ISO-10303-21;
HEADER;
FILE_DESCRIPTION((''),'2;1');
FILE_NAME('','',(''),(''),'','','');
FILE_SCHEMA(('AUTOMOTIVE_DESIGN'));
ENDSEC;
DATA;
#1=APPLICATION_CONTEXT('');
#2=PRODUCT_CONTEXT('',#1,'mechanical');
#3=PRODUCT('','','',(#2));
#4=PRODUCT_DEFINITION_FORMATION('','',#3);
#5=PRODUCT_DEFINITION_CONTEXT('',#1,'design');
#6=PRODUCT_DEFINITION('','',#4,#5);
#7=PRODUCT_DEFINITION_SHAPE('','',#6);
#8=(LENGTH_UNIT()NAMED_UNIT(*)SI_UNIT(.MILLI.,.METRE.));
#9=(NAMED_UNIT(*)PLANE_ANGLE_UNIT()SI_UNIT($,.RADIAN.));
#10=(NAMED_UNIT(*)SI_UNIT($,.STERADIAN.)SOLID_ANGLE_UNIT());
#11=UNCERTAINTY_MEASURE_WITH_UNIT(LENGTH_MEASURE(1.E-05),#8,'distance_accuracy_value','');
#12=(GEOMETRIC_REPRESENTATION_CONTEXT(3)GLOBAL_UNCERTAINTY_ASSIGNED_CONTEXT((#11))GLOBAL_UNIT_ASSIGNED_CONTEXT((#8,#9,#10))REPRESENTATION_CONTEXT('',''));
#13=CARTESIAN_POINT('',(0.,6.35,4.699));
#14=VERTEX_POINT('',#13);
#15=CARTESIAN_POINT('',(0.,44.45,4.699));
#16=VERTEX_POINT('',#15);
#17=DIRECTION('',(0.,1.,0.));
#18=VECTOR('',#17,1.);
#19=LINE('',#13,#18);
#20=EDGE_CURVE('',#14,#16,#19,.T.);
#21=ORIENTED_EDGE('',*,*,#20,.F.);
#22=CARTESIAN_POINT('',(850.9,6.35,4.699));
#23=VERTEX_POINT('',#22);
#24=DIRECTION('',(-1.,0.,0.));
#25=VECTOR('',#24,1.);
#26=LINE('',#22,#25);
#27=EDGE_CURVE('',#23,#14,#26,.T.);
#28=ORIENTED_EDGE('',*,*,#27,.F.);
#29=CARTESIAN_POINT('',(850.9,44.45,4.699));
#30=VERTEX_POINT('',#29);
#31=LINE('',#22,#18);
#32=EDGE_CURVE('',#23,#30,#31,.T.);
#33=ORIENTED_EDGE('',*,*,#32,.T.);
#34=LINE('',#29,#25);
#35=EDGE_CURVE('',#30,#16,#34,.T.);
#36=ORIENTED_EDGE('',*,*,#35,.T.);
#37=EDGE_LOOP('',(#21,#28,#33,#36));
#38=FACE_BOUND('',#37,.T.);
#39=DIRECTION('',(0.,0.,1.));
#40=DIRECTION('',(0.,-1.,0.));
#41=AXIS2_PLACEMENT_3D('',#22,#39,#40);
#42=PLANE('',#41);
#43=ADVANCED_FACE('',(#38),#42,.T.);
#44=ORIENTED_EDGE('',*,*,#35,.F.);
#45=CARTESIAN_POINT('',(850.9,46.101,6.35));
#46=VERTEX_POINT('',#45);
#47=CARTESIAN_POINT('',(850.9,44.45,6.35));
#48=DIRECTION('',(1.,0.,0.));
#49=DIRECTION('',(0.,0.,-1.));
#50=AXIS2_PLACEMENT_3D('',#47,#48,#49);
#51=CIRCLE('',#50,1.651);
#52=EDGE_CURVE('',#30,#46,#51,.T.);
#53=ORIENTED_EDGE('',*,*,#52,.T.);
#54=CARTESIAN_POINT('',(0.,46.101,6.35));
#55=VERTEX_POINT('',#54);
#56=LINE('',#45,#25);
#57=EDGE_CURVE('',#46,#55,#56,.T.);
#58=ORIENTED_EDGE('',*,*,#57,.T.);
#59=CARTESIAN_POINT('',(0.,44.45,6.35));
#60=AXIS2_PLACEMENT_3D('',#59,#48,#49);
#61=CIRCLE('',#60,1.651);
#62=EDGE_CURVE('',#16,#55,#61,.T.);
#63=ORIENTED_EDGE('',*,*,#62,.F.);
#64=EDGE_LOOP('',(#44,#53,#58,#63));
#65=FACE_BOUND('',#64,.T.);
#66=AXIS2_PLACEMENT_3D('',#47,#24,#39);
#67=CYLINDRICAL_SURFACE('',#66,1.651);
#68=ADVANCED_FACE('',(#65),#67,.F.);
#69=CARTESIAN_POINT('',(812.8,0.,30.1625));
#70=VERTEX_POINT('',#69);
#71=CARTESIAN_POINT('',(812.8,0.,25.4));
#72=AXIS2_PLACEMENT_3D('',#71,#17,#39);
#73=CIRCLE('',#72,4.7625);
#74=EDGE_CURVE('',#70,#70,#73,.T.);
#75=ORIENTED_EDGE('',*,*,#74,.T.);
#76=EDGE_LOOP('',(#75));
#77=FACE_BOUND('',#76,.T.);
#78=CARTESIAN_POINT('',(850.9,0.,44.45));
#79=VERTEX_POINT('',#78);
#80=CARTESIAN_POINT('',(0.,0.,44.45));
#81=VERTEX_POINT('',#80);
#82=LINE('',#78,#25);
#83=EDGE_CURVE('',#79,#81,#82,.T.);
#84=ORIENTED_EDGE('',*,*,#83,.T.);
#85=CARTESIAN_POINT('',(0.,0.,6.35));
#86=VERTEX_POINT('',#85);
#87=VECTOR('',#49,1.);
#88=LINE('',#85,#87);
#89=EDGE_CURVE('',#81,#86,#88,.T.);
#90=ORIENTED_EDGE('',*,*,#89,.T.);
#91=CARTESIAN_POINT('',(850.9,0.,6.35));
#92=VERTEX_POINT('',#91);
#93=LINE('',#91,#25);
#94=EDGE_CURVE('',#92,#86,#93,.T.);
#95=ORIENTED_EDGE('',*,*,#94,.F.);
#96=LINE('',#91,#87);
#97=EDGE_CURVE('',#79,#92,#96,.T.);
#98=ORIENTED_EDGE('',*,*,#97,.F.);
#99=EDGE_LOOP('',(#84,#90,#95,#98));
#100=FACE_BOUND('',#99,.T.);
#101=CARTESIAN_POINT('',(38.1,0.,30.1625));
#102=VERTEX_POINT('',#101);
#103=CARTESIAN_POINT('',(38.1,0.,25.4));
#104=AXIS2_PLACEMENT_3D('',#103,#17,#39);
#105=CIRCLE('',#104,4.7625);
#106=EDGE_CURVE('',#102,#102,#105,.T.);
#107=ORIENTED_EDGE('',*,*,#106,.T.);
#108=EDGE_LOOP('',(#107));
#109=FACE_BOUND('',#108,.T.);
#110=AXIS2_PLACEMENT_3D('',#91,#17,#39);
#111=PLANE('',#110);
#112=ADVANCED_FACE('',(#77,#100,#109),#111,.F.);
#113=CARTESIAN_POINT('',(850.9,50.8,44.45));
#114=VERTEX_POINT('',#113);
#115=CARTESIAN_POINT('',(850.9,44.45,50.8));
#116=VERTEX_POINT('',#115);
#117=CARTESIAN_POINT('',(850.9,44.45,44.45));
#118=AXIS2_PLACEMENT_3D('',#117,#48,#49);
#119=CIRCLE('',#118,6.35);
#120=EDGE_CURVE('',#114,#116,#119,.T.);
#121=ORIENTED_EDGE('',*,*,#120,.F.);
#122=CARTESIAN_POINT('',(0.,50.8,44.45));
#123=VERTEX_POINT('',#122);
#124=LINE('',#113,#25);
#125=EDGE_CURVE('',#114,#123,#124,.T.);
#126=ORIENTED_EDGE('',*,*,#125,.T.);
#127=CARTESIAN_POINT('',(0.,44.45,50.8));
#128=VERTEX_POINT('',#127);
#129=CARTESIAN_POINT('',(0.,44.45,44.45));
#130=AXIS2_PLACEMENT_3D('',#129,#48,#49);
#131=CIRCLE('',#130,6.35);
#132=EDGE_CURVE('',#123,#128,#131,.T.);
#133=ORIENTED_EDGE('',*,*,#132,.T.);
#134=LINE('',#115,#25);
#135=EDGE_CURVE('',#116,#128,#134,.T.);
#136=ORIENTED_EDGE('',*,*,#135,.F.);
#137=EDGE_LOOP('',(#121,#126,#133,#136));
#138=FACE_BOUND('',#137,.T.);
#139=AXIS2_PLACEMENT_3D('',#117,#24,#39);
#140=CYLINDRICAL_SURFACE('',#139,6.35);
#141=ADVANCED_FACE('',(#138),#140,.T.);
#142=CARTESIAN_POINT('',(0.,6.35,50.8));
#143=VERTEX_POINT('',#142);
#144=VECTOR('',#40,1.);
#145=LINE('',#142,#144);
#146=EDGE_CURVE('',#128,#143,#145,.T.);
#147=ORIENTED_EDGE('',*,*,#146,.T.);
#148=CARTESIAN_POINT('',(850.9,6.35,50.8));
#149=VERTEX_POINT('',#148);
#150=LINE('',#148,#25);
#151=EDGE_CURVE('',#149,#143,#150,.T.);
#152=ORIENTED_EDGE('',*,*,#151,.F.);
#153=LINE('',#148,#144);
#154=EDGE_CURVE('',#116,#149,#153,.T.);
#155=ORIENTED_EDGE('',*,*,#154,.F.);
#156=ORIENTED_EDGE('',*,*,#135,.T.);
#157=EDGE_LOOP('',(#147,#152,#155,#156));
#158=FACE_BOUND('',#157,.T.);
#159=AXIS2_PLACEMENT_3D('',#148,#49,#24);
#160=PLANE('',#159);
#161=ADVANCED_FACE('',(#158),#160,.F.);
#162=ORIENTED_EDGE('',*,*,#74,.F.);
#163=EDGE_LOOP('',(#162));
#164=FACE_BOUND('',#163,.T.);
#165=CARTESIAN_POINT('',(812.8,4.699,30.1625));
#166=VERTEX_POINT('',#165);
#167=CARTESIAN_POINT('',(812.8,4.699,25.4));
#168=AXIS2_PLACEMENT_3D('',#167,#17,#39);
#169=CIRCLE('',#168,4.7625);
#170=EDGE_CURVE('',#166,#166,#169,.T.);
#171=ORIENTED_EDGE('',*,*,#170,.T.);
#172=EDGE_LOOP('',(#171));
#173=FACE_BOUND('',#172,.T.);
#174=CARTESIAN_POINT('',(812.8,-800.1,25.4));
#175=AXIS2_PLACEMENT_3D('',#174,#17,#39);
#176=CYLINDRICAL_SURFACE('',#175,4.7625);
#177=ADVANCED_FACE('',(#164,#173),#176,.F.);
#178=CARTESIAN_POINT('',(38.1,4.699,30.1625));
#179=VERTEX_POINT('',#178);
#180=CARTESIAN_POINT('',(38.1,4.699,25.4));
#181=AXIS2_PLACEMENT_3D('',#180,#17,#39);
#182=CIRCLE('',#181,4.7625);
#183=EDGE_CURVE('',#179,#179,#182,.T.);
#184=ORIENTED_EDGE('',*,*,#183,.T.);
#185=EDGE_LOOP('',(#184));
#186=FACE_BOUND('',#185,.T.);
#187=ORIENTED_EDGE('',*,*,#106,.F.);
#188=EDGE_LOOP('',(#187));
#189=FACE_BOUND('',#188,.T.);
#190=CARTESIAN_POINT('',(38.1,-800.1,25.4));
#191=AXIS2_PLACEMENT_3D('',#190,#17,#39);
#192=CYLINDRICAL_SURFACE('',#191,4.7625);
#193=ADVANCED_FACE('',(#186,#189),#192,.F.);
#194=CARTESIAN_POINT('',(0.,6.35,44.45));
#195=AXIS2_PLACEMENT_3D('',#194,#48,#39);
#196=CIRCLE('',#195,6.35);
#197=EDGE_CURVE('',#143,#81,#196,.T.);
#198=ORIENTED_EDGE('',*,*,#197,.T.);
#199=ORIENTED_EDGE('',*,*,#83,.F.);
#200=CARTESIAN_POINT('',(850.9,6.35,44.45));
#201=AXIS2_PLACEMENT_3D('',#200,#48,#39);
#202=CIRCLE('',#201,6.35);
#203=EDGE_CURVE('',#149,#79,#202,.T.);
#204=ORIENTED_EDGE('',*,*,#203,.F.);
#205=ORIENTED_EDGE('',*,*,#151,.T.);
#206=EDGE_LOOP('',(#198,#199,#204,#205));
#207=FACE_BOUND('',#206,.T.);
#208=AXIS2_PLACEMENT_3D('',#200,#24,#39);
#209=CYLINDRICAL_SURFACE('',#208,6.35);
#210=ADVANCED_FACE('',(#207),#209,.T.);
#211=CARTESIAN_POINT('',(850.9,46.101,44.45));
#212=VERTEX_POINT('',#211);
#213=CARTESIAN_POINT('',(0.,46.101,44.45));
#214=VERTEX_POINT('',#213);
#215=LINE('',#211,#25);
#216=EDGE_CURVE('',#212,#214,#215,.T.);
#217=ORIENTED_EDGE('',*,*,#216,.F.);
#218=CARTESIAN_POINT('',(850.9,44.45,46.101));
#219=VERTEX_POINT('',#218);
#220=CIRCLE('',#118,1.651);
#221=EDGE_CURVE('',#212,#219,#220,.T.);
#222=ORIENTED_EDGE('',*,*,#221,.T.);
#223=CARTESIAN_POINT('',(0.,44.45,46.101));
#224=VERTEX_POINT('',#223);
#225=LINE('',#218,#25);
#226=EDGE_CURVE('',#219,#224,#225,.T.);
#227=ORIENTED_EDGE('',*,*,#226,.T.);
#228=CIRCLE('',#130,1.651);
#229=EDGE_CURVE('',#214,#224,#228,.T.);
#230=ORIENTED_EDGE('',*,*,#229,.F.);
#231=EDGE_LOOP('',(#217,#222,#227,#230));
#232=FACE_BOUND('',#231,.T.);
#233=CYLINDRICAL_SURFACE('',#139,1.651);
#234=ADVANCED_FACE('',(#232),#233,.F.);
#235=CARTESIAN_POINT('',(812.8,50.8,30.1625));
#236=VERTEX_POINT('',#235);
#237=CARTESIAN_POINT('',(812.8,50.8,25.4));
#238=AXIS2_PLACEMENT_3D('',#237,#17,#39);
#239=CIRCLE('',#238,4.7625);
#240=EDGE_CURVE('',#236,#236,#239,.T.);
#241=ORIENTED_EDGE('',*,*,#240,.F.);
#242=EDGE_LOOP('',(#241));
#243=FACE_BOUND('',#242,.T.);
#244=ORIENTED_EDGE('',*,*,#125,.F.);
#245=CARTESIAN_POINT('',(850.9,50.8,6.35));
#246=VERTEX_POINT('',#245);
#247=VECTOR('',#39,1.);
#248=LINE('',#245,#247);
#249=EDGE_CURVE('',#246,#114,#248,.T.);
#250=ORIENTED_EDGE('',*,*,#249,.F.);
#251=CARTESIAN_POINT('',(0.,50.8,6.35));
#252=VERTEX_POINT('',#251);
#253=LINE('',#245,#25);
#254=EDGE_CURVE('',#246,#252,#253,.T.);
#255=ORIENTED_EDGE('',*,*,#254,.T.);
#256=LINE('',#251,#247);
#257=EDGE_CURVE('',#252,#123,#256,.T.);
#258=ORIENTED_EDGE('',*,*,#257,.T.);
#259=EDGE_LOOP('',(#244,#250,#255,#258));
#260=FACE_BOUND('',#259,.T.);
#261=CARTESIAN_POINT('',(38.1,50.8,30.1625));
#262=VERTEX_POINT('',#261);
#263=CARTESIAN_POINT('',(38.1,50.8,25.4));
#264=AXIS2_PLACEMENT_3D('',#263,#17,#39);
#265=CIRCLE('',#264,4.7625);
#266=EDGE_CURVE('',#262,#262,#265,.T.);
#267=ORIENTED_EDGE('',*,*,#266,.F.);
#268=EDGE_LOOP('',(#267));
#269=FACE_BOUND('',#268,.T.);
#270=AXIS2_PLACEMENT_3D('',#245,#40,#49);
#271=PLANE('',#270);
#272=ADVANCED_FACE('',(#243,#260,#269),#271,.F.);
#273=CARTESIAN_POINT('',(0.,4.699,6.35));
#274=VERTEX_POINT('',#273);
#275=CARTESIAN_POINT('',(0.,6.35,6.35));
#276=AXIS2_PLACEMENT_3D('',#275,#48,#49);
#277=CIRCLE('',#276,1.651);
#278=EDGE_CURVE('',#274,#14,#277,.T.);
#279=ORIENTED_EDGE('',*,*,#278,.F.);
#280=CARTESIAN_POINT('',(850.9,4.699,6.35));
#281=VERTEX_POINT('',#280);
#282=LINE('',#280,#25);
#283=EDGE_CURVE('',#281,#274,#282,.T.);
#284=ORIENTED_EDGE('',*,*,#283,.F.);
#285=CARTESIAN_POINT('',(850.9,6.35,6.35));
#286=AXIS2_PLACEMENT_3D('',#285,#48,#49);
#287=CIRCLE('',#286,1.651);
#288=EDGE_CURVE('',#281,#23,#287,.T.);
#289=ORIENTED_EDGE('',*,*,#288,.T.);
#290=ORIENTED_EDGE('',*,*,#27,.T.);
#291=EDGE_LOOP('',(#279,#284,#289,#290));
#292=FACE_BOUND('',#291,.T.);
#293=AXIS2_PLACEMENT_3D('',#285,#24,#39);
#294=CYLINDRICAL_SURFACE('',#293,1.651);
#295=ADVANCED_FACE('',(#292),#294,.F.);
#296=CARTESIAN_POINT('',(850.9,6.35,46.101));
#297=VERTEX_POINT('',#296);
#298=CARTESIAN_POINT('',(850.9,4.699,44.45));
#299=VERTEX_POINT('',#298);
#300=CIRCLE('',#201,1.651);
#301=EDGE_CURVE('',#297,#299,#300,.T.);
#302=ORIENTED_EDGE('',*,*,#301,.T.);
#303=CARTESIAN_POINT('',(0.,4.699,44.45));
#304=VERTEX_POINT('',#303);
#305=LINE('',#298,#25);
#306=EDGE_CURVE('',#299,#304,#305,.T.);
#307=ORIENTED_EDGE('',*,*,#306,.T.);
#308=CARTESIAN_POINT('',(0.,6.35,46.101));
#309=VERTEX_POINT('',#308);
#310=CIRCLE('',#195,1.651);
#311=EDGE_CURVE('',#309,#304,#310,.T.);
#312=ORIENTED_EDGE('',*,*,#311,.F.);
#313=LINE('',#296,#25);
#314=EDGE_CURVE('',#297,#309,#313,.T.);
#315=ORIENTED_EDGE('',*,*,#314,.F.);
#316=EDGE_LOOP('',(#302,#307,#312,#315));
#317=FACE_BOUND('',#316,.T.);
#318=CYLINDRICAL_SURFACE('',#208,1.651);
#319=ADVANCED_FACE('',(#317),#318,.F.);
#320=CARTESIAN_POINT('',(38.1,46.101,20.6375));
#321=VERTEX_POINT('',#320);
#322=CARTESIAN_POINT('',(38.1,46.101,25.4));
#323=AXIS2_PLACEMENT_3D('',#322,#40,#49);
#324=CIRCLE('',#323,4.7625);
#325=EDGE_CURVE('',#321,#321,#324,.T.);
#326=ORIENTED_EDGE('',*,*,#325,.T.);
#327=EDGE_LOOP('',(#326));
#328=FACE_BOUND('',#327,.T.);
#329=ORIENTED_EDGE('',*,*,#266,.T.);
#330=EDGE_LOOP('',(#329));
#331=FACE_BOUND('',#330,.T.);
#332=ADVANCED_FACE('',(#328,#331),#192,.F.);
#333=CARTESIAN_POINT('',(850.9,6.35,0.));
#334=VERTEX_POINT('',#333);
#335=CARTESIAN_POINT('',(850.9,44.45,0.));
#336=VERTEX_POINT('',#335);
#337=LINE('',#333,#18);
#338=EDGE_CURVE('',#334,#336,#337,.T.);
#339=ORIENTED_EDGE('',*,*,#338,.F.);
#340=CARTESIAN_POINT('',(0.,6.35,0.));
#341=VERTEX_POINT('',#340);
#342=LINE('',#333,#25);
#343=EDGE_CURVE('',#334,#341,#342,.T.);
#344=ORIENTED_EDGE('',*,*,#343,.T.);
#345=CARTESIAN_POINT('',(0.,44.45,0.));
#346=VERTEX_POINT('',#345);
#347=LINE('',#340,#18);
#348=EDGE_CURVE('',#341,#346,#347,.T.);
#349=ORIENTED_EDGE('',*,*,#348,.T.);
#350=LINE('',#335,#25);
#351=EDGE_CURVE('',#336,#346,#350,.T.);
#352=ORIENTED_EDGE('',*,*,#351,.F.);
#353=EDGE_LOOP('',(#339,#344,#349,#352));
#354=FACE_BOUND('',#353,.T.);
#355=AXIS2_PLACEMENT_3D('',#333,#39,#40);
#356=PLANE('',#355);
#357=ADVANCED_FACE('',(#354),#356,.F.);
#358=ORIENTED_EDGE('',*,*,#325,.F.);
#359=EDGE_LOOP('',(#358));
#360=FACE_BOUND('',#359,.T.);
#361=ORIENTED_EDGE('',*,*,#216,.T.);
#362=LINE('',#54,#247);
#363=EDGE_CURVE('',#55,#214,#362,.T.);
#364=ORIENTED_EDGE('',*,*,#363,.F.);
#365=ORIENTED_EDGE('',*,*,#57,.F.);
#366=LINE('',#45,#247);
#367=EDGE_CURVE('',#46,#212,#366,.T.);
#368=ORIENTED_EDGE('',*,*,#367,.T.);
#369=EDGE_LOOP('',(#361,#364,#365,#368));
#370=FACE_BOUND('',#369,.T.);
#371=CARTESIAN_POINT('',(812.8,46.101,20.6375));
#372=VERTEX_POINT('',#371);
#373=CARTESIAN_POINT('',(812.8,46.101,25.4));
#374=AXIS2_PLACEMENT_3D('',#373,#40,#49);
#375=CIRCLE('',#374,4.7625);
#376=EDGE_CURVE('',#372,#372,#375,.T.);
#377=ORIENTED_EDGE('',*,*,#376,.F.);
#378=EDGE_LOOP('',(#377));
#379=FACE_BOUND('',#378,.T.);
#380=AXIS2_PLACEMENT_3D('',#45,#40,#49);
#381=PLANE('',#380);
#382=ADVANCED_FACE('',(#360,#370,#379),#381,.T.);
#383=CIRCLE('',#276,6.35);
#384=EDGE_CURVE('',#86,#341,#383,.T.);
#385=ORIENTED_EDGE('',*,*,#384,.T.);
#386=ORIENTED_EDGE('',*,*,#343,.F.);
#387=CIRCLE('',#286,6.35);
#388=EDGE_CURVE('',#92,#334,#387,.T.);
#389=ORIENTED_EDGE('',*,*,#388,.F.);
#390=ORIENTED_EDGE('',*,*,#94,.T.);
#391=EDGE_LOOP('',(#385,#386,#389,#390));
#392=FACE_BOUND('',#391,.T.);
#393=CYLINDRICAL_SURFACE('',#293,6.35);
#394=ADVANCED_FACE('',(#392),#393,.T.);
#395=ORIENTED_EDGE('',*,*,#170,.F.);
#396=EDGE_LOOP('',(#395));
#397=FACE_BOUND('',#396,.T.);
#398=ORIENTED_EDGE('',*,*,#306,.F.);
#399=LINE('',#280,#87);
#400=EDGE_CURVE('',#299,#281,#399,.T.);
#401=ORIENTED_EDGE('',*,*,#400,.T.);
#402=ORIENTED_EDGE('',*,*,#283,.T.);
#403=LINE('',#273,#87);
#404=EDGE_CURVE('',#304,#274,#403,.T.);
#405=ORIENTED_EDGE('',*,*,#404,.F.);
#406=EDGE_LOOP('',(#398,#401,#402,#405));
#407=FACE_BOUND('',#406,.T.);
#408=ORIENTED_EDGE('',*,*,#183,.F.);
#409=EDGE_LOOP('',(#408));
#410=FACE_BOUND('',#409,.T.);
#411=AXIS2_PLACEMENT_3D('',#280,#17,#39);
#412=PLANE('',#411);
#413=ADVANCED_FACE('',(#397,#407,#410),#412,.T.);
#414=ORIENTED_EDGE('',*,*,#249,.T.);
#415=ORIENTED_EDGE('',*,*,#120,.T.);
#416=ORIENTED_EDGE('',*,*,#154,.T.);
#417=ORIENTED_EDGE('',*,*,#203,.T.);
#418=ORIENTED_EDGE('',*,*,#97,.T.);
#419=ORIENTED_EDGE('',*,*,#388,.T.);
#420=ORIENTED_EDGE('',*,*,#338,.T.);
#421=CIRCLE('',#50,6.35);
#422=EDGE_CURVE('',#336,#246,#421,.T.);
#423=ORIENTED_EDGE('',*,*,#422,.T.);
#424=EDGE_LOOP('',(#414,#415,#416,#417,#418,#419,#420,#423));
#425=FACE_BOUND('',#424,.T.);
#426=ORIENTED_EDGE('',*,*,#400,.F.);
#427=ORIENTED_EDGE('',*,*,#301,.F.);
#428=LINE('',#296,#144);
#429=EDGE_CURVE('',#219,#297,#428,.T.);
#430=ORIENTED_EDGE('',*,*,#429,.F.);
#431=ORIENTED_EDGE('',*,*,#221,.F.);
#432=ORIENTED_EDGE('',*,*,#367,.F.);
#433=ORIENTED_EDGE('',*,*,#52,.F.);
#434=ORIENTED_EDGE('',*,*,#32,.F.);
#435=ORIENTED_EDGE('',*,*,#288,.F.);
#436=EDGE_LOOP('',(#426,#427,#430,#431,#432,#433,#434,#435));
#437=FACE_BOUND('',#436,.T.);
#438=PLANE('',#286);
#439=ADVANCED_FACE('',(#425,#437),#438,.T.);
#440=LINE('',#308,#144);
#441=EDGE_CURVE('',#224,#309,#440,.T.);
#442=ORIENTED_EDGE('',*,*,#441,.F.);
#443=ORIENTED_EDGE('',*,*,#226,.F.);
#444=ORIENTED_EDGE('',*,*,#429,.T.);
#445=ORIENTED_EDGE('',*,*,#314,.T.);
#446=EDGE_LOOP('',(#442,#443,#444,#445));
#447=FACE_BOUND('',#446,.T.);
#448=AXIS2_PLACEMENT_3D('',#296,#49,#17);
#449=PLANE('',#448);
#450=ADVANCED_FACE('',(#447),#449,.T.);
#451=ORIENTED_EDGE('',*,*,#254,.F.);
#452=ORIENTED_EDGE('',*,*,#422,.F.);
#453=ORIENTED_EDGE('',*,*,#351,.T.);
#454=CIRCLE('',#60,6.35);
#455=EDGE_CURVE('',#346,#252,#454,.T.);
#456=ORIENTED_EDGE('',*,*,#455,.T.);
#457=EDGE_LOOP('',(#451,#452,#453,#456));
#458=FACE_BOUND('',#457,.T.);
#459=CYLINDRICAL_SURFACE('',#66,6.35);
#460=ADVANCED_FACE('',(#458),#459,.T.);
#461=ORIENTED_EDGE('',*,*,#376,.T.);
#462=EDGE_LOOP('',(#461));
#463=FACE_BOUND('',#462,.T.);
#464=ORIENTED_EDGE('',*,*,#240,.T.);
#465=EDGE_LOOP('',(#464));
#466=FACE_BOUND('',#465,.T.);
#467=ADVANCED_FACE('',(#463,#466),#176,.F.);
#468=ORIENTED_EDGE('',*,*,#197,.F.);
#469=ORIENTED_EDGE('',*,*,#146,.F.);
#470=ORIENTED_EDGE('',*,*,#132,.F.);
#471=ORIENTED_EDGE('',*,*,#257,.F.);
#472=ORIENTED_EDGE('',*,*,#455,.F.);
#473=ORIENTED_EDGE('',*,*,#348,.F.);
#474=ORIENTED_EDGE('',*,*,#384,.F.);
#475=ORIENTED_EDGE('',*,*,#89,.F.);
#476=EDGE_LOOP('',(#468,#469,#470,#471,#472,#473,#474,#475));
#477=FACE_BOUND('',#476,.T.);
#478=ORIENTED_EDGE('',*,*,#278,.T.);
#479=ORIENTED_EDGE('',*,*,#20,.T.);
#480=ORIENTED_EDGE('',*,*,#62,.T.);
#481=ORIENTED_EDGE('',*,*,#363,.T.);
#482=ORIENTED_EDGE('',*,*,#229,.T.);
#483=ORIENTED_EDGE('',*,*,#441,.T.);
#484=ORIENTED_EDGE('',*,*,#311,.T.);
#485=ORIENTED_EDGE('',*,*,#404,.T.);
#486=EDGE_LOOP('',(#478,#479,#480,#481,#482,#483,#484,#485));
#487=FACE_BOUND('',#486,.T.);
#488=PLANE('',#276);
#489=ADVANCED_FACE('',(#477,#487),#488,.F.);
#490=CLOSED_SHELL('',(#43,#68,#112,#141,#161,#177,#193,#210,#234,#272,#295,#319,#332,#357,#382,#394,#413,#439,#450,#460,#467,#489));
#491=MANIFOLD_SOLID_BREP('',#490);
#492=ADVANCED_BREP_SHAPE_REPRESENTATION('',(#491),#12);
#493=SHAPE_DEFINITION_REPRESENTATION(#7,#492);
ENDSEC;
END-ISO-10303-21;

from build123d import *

# Parameters (mm, degrees)
BOSS_EXTRUDE1_DEPTH = 850.9
SKETCH2_R           = 4.7625
CUT_EXTRUDE1_DEPTH  = 850.9


with BuildPart() as part:
    # Sketch1 → Boss-Extrude1 (new body)
    with BuildSketch(Plane(origin=(0, 0, 0), x_dir=(0, 0, -1), z_dir=(1, 0, 0))):
        with BuildLine():
            Line((-6.35, 0), (-44.45, 0))
            ThreePointArc((-44.45, 0), (-48.940128061, 1.859871939), (-50.8, 6.35))
            Line((-50.8, 6.35), (-50.8, 44.45))
            ThreePointArc((-50.8, 44.45), (-48.940128061, 48.940128061), (-44.45, 50.8))
            Line((-44.45, 50.8), (-6.35, 50.8))
            ThreePointArc((-6.35, 50.8), (-1.859871939, 48.940128061), (0, 44.45))
            Line((0, 44.45), (0, 6.35))
            ThreePointArc((0, 6.35), (-1.859871939, 1.859871939), (-6.35, 0))
        make_face()
        with BuildLine():
            Line((-6.35, 4.699), (-44.45, 4.699))
            ThreePointArc((-44.45, 4.699), (-45.617433296, 5.182566704), (-46.101, 6.35))
            Line((-46.101, 6.35), (-46.101, 44.45))
            ThreePointArc((-46.101, 44.45), (-45.617433296, 45.617433296), (-44.45, 46.101))
            Line((-44.45, 46.101), (-6.35, 46.101))
            ThreePointArc((-6.35, 46.101), (-5.182566704, 45.617433296), (-4.699, 44.45))
            Line((-4.699, 44.45), (-4.699, 6.35))
            ThreePointArc((-4.699, 6.35), (-5.182566704, 5.182566704), (-6.35, 4.699))
        make_face(mode=Mode.SUBTRACT)
    extrude(amount=BOSS_EXTRUDE1_DEPTH)

    # Sketch2 → Cut-Extrude1 (cut)
    with BuildSketch(Plane(origin=(0, 50.8, 0), x_dir=(1, 0, 0), z_dir=(0, 1, 0))):
        with Locations((38.1, -25.4)):
            Circle(SKETCH2_R)
        with Locations((812.8, -25.4)):
            Circle(SKETCH2_R)
    extrude(amount=-CUT_EXTRUDE1_DEPTH, mode=Mode.SUBTRACT)


solid = part.part
